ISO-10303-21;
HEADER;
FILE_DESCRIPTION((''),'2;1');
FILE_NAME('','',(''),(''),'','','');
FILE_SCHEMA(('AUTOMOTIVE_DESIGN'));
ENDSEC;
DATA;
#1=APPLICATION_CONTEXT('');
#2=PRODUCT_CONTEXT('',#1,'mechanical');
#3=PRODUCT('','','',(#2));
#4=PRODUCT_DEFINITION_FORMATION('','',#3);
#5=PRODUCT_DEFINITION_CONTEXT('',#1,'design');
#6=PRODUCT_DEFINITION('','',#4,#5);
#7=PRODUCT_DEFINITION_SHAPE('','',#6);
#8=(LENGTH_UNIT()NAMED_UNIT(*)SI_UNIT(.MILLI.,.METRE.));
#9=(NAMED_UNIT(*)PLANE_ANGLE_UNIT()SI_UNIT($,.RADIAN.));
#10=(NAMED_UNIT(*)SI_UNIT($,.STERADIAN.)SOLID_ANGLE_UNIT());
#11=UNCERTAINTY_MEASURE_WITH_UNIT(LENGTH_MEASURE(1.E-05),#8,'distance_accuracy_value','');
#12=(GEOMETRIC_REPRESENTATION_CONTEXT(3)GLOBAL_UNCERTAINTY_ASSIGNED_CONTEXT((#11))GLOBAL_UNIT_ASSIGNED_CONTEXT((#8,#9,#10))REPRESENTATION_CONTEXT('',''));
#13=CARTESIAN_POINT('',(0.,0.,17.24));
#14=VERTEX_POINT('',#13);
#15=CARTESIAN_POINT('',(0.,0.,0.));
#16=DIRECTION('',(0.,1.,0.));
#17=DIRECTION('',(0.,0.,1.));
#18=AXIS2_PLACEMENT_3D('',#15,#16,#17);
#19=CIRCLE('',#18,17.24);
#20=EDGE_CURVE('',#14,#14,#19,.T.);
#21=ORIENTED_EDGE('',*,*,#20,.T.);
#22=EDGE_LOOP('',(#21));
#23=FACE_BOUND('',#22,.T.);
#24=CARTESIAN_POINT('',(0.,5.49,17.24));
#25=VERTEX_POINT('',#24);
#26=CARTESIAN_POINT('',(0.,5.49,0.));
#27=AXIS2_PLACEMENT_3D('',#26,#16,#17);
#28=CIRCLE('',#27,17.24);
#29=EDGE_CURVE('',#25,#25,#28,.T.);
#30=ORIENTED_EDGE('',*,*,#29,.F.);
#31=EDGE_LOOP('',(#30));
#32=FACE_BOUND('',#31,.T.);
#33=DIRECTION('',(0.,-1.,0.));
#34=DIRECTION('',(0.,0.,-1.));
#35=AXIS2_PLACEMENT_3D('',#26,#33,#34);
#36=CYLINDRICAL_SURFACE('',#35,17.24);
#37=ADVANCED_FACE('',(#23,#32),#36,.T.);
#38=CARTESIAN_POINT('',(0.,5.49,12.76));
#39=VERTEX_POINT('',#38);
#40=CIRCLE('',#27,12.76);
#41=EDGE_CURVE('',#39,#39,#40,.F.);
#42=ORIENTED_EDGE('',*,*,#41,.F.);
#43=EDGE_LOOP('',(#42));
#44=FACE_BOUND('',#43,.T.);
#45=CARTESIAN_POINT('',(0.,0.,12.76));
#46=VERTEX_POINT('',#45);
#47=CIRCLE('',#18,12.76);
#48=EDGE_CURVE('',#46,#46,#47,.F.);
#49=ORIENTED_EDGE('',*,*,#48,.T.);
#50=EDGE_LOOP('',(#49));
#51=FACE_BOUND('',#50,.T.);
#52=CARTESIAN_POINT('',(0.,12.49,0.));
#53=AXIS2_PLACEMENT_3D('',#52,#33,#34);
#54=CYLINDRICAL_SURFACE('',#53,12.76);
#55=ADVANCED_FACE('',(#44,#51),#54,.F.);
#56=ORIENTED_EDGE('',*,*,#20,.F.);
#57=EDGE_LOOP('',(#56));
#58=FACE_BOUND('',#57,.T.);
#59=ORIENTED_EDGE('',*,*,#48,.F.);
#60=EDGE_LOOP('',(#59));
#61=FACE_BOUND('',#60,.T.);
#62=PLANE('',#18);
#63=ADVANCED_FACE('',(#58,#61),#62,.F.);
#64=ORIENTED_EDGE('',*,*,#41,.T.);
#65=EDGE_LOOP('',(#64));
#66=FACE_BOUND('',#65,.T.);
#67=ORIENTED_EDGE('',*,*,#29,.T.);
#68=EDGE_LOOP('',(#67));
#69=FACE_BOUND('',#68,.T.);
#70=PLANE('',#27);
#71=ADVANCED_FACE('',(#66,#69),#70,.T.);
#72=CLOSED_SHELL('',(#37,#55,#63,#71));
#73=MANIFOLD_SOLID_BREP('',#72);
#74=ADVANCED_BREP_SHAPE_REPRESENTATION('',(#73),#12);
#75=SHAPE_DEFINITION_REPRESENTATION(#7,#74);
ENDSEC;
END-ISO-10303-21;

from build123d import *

# Parameters (mm, degrees)
IZIM1_R                     = 17.24
Y_KSEKLIK_EKSTR_ZYON1_DEPTH = 5.49
KES_EKSTR_ZYON1_DEPTH       = 7
KES_EKSTR_ZYON1_DEPTH_BACK  = 8.49
IZIM2_R                     = 12.76


with BuildPart() as part:
    # Çizim1 → Yükseklik-Ekstrüzyon1 (new body)
    with BuildSketch(Plane(origin=(0, 0, 0), x_dir=(1, 0, 0), z_dir=(0, 1, 0))):
        with Locations(Location((0, 0, 0), (0, 0, 270))):
            Circle(IZIM1_R)
    extrude(amount=Y_KSEKLIK_EKSTR_ZYON1_DEPTH)

    # Çizim2 → Kes-Ekstrüzyon1 (cut, two sides: drawn at the far end of the back side and taken through both)
    with BuildSketch(Plane(origin=(0, 5.49, 0), x_dir=(1, 0, 0), z_dir=(0, 1, 0)).offset(-KES_EKSTR_ZYON1_DEPTH_BACK)):
        with Locations(Location((0, 0, 0), (0, 0, 270))):
            Circle(IZIM2_R)
    extrude(amount=KES_EKSTR_ZYON1_DEPTH + KES_EKSTR_ZYON1_DEPTH_BACK, mode=Mode.SUBTRACT)


solid = part.part
